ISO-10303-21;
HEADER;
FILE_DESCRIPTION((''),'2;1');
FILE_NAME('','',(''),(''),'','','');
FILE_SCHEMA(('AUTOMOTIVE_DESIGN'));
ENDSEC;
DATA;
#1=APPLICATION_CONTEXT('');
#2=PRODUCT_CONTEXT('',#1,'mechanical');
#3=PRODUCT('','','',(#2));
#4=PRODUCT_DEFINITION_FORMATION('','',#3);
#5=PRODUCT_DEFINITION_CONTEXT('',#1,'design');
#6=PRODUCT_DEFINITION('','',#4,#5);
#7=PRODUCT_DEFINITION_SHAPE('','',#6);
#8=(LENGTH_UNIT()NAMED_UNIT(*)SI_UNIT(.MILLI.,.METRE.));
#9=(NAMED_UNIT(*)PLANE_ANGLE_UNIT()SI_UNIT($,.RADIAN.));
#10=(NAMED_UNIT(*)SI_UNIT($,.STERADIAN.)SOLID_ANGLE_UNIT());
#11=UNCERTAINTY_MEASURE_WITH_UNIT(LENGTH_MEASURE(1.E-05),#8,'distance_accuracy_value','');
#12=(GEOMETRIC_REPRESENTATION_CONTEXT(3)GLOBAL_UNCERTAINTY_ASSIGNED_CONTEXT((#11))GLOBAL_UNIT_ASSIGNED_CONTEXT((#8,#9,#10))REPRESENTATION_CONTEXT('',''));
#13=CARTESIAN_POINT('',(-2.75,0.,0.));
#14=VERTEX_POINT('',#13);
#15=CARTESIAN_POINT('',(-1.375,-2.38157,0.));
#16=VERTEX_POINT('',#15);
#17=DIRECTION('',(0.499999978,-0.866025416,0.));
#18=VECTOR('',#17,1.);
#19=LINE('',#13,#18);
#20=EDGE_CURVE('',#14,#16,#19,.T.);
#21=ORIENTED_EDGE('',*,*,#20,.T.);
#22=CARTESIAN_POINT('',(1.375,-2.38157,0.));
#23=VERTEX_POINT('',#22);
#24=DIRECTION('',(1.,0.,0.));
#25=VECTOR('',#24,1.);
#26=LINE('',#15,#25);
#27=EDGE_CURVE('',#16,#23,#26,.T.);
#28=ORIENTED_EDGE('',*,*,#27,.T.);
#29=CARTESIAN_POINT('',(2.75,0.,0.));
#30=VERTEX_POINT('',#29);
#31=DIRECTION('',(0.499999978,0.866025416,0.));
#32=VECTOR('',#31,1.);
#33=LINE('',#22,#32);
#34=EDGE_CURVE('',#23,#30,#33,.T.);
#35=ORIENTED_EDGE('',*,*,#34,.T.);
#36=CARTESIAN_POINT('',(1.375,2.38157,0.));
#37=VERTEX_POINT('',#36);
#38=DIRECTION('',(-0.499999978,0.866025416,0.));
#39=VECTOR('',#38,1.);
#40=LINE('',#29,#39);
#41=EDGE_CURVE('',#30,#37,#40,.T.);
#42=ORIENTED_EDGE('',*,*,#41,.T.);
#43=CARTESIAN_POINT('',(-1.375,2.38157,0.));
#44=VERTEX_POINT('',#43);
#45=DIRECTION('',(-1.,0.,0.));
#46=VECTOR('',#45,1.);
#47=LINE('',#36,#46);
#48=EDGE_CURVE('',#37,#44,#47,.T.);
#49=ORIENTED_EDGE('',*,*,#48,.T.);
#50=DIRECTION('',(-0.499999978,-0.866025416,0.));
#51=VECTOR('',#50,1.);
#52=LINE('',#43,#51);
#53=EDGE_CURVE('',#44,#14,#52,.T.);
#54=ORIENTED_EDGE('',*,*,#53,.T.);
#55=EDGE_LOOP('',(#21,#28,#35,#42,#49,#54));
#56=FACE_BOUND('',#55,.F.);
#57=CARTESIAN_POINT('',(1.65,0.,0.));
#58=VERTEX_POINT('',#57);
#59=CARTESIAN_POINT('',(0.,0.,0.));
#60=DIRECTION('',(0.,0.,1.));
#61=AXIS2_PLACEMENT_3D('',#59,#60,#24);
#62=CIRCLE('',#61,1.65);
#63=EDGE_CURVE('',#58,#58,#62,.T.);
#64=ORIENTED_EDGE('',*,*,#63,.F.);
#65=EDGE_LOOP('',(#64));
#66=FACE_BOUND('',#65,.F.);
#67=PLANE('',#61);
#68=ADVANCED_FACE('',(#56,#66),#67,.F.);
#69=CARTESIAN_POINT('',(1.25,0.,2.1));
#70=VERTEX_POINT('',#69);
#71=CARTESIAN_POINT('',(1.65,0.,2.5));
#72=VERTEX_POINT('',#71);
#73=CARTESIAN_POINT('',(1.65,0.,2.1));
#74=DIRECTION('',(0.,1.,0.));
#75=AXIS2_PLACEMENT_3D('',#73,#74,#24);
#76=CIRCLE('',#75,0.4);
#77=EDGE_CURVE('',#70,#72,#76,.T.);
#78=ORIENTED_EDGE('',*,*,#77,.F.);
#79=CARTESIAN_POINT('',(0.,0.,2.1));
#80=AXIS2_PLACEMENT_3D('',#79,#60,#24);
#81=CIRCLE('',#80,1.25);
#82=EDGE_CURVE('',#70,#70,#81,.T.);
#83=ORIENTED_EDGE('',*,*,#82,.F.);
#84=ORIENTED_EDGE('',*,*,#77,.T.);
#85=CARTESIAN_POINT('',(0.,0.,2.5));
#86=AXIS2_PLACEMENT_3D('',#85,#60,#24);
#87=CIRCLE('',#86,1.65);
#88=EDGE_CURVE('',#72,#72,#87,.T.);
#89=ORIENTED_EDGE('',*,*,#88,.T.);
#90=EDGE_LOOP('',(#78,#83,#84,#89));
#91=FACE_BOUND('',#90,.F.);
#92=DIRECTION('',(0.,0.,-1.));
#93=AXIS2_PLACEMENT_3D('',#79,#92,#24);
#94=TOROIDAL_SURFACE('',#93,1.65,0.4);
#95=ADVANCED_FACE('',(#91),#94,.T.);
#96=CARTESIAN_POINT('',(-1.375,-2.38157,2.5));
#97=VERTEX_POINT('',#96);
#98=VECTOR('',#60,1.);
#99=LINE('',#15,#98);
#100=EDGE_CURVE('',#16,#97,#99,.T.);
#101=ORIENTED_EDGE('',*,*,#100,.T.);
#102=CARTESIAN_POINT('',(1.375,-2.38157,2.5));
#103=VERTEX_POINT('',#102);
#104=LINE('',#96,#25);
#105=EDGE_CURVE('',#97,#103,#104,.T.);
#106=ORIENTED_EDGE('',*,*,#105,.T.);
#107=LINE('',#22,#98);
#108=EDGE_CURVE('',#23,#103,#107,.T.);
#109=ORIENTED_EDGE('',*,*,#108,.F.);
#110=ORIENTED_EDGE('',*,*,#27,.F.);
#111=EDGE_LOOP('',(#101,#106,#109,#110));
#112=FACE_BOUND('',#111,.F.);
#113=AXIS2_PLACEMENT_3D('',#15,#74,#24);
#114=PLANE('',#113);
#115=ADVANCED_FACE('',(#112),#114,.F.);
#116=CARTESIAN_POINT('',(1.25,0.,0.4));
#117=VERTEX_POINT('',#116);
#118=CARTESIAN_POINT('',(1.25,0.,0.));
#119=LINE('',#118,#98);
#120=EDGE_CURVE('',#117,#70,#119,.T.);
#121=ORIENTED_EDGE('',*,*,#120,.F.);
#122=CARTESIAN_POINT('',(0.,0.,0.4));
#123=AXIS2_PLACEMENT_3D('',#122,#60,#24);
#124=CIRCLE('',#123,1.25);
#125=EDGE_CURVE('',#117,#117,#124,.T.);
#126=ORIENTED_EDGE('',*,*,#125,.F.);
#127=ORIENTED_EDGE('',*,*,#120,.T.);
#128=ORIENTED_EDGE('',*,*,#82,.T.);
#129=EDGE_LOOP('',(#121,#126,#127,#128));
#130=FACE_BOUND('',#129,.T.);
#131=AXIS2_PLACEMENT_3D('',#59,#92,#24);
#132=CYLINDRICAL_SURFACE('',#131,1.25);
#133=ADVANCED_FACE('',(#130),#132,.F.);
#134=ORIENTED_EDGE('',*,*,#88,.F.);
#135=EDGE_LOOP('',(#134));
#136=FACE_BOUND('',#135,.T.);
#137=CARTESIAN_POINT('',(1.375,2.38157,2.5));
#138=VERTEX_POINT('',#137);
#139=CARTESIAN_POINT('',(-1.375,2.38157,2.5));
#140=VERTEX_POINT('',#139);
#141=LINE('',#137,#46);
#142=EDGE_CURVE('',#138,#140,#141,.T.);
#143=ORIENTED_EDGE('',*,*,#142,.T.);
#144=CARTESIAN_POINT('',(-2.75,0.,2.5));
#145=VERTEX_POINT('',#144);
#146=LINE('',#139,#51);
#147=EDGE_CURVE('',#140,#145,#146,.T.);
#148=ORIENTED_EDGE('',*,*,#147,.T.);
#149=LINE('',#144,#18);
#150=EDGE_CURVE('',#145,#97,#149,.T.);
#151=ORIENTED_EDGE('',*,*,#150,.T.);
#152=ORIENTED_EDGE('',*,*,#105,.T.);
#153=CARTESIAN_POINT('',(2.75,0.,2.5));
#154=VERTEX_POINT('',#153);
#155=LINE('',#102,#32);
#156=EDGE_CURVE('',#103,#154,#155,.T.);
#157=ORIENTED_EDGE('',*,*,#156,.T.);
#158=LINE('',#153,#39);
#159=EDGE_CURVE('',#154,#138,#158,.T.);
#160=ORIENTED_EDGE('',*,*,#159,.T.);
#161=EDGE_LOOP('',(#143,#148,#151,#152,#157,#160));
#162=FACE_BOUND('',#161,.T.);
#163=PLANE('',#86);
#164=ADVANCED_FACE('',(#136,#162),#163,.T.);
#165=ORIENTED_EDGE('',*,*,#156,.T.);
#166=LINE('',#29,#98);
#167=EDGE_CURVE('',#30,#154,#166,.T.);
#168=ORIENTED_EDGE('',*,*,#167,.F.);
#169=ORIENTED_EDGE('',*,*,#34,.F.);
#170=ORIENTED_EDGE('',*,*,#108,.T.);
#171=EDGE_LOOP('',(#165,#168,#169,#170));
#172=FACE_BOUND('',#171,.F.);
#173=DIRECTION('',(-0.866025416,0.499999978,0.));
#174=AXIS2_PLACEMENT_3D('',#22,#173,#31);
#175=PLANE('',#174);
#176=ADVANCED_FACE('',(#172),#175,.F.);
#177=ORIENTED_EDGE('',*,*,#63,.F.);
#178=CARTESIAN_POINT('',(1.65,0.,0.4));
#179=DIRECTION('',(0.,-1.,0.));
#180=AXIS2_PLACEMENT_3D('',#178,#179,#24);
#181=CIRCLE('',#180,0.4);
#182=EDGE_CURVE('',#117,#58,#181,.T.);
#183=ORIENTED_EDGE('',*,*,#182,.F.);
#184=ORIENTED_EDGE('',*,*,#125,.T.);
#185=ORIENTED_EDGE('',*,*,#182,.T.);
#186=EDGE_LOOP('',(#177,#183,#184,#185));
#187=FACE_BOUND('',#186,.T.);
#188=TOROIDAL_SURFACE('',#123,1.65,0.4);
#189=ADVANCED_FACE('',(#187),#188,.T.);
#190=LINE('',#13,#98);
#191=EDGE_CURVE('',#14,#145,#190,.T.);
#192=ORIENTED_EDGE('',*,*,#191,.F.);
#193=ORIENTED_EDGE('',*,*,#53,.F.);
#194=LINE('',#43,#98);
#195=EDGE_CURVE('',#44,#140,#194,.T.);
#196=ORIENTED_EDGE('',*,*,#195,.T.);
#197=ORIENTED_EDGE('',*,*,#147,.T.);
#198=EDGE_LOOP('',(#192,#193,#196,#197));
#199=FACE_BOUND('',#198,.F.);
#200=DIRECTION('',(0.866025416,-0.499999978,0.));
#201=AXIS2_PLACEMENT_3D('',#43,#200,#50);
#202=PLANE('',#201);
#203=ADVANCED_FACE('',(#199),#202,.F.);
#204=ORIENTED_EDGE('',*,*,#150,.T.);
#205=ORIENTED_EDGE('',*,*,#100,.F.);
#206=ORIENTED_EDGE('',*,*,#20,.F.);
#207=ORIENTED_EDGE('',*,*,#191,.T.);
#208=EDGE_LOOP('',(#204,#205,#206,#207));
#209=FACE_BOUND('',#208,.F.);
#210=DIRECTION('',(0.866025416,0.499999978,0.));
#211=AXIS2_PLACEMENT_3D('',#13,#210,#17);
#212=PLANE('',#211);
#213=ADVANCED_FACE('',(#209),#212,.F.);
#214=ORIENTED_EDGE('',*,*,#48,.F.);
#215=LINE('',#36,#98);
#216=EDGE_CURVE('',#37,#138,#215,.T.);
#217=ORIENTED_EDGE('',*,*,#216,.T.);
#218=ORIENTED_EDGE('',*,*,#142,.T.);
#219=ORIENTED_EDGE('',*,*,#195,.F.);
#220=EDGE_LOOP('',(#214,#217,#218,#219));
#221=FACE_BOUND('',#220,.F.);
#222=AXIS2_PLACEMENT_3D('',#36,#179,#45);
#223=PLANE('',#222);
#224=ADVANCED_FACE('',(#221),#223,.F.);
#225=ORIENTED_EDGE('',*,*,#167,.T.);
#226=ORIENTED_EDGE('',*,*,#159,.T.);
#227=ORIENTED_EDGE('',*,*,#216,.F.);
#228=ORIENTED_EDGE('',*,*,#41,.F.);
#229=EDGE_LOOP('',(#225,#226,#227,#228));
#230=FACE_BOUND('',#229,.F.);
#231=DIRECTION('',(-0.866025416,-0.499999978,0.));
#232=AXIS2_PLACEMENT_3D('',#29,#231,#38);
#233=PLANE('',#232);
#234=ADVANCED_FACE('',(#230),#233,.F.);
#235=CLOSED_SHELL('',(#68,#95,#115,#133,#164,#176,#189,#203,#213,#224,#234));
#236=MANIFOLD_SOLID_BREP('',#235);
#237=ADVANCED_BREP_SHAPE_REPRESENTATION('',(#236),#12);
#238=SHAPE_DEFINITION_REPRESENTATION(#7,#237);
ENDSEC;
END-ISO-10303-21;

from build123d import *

# Parameters (mm, degrees)
F0_R     = 1.25
F1_DEPTH = 2.5
F2_R     = 0.4
F3_R     = 0.4


with BuildPart() as f1:
    # F0 (on Top) → F1 (new body)
    with BuildSketch(Plane.XY):
        Polygon((1.375, 2.38157), (-1.375, 2.38157), (-2.75, 0), (-1.375, -2.38157), (1.375, -2.38157), (2.75, 0), align=None)
        Circle(F0_R, mode=Mode.SUBTRACT)
    extrude(amount=F1_DEPTH)

    # F2
    f2_edges = [f1.edges().sort_by_distance(p)[0] for p in [
        (-1.25, 0, 0),
    ]]
    fillet(f2_edges, radius=F2_R)

    # F3
    f3_edges = [f1.edges().sort_by_distance(p)[0] for p in [
        (-1.25, 0, 2.5),
    ]]
    fillet(f3_edges, radius=F3_R)


solid = f1.part
